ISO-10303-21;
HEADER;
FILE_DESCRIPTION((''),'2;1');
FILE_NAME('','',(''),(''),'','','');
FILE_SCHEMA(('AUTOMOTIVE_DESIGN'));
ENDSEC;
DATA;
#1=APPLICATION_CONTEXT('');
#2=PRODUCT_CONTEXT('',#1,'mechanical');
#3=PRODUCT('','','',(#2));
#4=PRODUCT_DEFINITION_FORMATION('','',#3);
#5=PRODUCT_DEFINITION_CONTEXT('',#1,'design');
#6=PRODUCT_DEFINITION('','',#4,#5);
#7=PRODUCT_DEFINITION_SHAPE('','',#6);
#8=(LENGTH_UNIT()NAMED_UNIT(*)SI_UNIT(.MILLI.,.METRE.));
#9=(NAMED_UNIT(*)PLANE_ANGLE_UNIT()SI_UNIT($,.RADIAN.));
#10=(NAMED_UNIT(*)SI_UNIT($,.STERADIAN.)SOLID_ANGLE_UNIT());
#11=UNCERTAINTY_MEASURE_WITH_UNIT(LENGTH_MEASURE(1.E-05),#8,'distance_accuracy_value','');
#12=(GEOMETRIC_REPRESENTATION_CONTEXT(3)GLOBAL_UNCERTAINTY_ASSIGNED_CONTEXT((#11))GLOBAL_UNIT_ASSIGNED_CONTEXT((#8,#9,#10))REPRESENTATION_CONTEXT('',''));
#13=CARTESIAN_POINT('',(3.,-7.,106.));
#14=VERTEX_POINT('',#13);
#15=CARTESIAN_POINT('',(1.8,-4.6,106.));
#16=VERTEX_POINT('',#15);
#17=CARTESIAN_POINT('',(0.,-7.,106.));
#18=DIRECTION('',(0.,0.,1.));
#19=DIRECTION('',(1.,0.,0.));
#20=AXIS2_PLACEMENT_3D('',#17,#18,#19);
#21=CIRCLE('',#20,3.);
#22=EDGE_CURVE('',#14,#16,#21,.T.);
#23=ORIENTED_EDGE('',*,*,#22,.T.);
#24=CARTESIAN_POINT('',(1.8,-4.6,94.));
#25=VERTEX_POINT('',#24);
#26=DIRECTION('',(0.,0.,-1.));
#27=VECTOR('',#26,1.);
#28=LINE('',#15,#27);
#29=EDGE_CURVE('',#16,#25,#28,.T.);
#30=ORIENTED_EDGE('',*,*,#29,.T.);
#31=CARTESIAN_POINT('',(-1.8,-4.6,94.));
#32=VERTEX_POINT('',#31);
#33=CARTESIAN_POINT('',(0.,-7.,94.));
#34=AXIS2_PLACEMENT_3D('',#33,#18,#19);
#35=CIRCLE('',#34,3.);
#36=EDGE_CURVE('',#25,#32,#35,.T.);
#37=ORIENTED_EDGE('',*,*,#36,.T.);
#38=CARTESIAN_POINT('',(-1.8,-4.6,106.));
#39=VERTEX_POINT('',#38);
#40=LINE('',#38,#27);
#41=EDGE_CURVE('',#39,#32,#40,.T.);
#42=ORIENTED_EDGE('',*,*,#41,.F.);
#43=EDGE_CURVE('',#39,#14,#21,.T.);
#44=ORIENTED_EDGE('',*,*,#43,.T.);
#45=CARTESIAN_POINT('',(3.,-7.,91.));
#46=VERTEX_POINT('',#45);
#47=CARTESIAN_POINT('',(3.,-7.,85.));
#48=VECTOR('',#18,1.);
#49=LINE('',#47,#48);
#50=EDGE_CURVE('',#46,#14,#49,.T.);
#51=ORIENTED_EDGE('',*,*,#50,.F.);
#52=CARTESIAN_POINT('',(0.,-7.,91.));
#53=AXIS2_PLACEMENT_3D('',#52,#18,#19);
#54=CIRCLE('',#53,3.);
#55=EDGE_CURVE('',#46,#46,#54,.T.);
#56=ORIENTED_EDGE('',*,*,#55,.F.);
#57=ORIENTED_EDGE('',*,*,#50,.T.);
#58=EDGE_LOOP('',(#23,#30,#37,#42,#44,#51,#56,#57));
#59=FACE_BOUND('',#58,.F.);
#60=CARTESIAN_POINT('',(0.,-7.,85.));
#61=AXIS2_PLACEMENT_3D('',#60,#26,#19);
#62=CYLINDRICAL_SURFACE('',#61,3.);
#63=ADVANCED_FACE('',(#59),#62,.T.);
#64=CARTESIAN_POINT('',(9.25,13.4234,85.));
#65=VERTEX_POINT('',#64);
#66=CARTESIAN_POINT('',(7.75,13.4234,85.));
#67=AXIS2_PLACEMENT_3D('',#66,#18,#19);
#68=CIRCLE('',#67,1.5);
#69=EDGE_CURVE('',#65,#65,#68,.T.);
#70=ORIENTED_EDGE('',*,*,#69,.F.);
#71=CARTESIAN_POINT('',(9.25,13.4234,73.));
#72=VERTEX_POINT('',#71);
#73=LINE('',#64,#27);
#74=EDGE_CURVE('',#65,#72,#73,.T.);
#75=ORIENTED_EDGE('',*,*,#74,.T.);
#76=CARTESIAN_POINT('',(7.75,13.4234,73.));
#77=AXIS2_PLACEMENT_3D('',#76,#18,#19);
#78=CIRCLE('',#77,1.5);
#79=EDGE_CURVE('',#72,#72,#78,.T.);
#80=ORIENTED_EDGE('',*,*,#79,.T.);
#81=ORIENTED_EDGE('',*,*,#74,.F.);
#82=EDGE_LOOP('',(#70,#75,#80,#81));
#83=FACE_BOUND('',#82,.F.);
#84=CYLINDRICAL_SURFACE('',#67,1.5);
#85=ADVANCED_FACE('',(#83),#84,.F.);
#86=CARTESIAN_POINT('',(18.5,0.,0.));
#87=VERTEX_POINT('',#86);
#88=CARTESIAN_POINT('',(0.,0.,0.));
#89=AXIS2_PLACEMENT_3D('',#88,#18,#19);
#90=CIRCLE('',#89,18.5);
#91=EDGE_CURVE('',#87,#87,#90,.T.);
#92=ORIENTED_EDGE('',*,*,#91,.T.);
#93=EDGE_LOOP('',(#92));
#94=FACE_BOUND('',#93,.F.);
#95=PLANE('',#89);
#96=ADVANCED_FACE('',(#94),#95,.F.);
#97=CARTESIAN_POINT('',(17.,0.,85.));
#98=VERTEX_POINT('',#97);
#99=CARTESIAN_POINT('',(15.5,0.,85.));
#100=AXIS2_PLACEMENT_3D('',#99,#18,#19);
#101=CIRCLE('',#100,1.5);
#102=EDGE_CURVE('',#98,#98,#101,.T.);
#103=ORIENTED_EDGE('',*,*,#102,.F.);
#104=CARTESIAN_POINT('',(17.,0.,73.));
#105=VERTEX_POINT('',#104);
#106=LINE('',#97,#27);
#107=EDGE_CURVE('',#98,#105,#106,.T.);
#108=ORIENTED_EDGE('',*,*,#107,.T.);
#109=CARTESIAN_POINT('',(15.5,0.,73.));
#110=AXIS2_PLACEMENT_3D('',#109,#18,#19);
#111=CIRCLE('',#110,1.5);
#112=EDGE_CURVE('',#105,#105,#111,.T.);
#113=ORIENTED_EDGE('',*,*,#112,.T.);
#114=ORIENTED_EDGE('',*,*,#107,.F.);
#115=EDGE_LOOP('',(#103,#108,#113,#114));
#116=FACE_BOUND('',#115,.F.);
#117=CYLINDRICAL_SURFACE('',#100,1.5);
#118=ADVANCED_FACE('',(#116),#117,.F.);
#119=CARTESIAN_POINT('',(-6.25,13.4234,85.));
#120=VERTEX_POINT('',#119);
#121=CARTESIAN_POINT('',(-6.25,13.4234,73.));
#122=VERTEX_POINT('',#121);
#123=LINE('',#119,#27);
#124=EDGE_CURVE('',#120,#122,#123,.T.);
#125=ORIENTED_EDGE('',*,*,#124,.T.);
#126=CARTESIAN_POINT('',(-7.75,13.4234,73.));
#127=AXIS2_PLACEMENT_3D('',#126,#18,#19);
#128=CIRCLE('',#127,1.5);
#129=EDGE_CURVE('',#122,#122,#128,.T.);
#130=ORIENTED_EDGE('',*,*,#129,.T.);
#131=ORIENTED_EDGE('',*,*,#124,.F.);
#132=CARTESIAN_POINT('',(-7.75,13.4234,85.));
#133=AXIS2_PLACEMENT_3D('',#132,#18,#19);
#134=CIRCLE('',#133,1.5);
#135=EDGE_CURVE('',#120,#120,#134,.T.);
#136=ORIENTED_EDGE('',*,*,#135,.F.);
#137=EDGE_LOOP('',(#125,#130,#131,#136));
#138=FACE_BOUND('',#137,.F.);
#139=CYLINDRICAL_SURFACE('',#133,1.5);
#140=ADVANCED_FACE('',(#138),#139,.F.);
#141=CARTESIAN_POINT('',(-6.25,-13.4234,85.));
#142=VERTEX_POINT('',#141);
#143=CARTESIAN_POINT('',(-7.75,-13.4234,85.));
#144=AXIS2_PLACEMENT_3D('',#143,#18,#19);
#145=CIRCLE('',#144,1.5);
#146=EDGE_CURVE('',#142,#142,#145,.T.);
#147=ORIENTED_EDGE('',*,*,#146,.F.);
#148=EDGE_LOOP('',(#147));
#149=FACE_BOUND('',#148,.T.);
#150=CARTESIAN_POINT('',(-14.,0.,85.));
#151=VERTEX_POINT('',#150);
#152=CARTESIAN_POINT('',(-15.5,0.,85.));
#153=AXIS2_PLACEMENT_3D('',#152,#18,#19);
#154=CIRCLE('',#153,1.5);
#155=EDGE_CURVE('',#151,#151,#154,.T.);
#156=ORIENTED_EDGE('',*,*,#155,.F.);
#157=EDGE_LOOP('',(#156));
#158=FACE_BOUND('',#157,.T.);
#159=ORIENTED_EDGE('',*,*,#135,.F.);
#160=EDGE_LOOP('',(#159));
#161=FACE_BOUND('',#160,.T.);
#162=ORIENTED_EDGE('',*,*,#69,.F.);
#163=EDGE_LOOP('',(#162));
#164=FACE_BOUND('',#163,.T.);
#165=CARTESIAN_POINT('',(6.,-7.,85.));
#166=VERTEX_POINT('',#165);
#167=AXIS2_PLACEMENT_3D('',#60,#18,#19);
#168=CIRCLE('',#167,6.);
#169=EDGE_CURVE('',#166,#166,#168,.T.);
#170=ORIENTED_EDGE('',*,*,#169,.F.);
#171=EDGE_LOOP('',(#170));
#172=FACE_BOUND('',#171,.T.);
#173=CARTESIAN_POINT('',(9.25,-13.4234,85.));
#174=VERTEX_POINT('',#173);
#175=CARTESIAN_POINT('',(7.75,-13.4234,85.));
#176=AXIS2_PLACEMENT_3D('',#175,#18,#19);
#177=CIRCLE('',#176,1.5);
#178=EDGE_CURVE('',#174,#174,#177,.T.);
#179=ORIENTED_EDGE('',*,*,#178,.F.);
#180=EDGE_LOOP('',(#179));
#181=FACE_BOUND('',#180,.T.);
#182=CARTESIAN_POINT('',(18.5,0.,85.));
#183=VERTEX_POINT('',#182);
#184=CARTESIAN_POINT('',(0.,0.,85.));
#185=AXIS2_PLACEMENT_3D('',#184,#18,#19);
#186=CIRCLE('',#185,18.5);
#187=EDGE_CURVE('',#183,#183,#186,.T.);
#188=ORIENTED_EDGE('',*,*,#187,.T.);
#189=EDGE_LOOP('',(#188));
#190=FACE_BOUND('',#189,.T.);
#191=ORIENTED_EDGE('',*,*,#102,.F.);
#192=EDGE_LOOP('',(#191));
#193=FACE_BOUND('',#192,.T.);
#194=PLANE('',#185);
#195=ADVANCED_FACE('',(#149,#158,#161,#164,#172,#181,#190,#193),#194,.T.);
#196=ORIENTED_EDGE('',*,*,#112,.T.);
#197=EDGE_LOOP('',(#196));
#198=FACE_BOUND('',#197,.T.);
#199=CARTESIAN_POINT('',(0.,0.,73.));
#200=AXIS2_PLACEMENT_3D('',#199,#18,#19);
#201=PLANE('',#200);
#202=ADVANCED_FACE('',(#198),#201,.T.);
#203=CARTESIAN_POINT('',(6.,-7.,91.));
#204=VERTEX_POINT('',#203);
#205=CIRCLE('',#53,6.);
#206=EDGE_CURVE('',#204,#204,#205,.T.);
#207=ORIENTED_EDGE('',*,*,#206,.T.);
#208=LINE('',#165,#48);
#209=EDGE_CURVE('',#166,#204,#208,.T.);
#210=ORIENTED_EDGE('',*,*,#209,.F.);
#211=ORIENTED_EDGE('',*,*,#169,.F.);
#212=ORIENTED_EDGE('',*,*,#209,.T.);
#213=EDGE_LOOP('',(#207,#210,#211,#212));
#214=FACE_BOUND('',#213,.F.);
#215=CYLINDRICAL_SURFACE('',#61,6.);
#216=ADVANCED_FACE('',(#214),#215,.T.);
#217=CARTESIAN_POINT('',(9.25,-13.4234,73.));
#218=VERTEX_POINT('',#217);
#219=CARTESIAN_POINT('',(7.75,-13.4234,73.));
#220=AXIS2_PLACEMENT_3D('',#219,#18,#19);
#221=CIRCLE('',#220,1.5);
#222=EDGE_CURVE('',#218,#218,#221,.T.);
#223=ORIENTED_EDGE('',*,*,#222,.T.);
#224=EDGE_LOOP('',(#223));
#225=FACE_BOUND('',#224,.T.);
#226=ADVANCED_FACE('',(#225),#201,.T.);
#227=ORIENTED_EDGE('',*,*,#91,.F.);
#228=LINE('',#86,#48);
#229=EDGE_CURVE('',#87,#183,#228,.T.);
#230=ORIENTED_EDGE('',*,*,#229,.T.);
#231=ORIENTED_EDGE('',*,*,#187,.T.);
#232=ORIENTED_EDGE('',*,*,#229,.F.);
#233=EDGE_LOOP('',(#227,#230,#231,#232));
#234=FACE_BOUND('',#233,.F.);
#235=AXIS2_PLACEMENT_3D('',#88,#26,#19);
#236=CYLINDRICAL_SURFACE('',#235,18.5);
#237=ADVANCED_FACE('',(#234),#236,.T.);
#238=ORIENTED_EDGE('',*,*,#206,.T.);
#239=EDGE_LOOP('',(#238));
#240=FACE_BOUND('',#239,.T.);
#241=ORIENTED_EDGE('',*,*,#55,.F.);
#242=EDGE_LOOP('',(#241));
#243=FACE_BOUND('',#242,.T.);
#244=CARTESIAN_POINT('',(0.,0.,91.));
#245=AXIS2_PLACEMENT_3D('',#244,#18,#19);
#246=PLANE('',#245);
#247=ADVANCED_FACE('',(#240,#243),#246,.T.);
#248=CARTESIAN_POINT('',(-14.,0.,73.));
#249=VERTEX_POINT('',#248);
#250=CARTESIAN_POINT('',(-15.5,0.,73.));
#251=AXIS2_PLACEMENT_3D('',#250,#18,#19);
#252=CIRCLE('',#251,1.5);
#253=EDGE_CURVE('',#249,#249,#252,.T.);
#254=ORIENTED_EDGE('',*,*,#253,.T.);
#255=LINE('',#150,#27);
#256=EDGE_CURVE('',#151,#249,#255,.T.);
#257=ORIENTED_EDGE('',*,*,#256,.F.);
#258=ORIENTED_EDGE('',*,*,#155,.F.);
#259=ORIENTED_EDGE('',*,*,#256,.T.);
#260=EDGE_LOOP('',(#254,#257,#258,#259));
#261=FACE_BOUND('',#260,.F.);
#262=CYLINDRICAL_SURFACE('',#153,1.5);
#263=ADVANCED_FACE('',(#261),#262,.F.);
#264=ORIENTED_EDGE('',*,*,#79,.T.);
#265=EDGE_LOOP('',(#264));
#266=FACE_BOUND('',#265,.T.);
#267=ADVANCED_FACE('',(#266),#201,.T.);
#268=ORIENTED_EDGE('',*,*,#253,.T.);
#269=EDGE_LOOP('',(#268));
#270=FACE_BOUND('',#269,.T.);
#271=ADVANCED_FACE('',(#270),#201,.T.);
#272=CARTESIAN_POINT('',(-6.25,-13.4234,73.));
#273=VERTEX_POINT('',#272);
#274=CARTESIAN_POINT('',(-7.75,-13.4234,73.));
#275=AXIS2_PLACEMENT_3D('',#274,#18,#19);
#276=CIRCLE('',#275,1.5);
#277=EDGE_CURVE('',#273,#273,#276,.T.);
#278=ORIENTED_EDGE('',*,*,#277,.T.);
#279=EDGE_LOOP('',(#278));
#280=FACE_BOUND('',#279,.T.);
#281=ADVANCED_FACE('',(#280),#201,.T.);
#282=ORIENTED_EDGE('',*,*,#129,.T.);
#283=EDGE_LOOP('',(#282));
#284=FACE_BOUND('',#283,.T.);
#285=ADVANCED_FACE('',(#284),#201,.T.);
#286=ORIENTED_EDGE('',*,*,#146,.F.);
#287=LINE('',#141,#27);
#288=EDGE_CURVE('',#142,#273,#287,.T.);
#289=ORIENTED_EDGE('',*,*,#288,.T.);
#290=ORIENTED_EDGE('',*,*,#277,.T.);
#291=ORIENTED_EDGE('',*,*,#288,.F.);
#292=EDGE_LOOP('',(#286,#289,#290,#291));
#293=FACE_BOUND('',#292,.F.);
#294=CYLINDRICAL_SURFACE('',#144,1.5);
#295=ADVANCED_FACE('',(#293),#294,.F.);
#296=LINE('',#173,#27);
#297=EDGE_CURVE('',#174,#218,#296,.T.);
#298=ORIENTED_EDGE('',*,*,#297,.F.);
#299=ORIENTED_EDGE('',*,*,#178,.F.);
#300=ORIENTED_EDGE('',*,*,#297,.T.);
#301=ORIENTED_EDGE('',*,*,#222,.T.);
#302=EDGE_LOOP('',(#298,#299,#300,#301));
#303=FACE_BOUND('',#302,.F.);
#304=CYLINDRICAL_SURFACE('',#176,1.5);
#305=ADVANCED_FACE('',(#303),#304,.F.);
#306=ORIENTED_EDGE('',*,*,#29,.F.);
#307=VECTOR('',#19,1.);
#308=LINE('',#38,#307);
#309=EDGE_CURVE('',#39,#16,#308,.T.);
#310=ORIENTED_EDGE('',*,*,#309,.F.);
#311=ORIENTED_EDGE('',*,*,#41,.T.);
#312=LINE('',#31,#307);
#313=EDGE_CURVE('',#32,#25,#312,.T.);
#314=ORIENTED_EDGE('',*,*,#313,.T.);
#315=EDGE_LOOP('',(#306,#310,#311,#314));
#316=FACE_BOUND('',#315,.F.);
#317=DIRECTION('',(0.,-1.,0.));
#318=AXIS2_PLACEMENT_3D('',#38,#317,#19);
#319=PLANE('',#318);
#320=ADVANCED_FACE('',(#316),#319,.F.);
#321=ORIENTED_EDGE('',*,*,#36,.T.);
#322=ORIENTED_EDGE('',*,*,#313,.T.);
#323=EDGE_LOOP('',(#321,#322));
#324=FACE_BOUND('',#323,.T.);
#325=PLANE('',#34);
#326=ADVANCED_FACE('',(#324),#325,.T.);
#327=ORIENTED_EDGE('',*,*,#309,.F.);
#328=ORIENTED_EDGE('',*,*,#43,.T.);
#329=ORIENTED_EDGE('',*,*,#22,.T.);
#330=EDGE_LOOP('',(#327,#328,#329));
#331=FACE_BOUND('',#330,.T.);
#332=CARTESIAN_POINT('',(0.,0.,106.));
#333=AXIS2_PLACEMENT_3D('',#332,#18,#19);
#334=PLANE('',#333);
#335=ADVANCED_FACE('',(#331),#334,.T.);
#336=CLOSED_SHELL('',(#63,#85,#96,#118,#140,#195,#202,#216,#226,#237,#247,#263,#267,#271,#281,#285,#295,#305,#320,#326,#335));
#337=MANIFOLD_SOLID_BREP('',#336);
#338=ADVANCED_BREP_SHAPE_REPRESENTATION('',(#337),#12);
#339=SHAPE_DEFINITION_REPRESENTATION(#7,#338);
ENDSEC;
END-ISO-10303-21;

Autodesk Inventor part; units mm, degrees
ref_plane "YZ Plane" through (0, 0, 0) normal (1, 0, 0) x (0, 1, 0)
ref_plane "XZ Plane" through (0, 0, 0) normal (0, 1, 0) x (-1, 0, 0)
ref_plane "XY Plane" through (0, 0, 0) normal (0, 0, 1) x (1, 0, 0)
sketch "Sketch1" plane through (0, 0, 0) normal (0, 0, 1) x (1, 0, 0)
  circle A0 centre (0, 0) radius 18.5
  dimension "d0" = 37
extrude "Extrusion1" add sketch "Sketch1" along normal blind 85
sketch "Sketch2" plane through (0, 0, 85) normal (0, 0, 1) x (1, 0, 0)
  circle A0 centre (0, -7) radius 3
  point P0 (0, 0)
  dimension "d3" = 6
  dimension "d4" = 7
extrude "Extrusion2" add sketch "Sketch2" along normal blind 21
sketch "Sketch3" plane through (0, 0, 85) normal (0, 0, 1) x (1, 0, 0)
  circle A0 centre (0, -7) radius 3 projected
  circle A1 centre (0, -7) radius 6
  point P0 (0, 0)
  dimension "d7" = 12
extrude "Extrusion3" add sketch "Sketch3" along normal blind 6
sketch "Sketch4" plane through (0, -7, 106) normal (0, 0, 1) x (1, 0, 0)
  circle A0 centre (0, 0) radius 3 projected
  line L0 (-1.8, 2.4) -> (1.8, 2.4)
  point P0 (0, 7)
  dimension "d10" = 2.4
extrude "Extrusion4" cut sketch "Sketch4" against normal blind 12 contours L0 A0 picked at (0, 2.6)
sketch "Sketch5" plane through (0, 0, 85) normal (0, 0, 1) x (1, 0, 0)
  circle A0 centre (15.5, 0) radius 1.5
  circle A1 centre (7.75, 13.4234) radius 1.5
  circle A2 centre (-7.75, 13.4234) radius 1.5
  circle A3 centre (-15.5, 0) radius 1.5
  circle A4 centre (-7.75, -13.4234) radius 1.5
  circle A5 centre (7.75, -13.4234) radius 1.5
  point P0 (0, 0)
  dimension "d13" = 3
  dimension "d14" = 15.5
  dimension "d17" = 360
extrude "Extrusion5" cut sketch "Sketch5" against normal blind 12
properties material "Steel, Carbon"
